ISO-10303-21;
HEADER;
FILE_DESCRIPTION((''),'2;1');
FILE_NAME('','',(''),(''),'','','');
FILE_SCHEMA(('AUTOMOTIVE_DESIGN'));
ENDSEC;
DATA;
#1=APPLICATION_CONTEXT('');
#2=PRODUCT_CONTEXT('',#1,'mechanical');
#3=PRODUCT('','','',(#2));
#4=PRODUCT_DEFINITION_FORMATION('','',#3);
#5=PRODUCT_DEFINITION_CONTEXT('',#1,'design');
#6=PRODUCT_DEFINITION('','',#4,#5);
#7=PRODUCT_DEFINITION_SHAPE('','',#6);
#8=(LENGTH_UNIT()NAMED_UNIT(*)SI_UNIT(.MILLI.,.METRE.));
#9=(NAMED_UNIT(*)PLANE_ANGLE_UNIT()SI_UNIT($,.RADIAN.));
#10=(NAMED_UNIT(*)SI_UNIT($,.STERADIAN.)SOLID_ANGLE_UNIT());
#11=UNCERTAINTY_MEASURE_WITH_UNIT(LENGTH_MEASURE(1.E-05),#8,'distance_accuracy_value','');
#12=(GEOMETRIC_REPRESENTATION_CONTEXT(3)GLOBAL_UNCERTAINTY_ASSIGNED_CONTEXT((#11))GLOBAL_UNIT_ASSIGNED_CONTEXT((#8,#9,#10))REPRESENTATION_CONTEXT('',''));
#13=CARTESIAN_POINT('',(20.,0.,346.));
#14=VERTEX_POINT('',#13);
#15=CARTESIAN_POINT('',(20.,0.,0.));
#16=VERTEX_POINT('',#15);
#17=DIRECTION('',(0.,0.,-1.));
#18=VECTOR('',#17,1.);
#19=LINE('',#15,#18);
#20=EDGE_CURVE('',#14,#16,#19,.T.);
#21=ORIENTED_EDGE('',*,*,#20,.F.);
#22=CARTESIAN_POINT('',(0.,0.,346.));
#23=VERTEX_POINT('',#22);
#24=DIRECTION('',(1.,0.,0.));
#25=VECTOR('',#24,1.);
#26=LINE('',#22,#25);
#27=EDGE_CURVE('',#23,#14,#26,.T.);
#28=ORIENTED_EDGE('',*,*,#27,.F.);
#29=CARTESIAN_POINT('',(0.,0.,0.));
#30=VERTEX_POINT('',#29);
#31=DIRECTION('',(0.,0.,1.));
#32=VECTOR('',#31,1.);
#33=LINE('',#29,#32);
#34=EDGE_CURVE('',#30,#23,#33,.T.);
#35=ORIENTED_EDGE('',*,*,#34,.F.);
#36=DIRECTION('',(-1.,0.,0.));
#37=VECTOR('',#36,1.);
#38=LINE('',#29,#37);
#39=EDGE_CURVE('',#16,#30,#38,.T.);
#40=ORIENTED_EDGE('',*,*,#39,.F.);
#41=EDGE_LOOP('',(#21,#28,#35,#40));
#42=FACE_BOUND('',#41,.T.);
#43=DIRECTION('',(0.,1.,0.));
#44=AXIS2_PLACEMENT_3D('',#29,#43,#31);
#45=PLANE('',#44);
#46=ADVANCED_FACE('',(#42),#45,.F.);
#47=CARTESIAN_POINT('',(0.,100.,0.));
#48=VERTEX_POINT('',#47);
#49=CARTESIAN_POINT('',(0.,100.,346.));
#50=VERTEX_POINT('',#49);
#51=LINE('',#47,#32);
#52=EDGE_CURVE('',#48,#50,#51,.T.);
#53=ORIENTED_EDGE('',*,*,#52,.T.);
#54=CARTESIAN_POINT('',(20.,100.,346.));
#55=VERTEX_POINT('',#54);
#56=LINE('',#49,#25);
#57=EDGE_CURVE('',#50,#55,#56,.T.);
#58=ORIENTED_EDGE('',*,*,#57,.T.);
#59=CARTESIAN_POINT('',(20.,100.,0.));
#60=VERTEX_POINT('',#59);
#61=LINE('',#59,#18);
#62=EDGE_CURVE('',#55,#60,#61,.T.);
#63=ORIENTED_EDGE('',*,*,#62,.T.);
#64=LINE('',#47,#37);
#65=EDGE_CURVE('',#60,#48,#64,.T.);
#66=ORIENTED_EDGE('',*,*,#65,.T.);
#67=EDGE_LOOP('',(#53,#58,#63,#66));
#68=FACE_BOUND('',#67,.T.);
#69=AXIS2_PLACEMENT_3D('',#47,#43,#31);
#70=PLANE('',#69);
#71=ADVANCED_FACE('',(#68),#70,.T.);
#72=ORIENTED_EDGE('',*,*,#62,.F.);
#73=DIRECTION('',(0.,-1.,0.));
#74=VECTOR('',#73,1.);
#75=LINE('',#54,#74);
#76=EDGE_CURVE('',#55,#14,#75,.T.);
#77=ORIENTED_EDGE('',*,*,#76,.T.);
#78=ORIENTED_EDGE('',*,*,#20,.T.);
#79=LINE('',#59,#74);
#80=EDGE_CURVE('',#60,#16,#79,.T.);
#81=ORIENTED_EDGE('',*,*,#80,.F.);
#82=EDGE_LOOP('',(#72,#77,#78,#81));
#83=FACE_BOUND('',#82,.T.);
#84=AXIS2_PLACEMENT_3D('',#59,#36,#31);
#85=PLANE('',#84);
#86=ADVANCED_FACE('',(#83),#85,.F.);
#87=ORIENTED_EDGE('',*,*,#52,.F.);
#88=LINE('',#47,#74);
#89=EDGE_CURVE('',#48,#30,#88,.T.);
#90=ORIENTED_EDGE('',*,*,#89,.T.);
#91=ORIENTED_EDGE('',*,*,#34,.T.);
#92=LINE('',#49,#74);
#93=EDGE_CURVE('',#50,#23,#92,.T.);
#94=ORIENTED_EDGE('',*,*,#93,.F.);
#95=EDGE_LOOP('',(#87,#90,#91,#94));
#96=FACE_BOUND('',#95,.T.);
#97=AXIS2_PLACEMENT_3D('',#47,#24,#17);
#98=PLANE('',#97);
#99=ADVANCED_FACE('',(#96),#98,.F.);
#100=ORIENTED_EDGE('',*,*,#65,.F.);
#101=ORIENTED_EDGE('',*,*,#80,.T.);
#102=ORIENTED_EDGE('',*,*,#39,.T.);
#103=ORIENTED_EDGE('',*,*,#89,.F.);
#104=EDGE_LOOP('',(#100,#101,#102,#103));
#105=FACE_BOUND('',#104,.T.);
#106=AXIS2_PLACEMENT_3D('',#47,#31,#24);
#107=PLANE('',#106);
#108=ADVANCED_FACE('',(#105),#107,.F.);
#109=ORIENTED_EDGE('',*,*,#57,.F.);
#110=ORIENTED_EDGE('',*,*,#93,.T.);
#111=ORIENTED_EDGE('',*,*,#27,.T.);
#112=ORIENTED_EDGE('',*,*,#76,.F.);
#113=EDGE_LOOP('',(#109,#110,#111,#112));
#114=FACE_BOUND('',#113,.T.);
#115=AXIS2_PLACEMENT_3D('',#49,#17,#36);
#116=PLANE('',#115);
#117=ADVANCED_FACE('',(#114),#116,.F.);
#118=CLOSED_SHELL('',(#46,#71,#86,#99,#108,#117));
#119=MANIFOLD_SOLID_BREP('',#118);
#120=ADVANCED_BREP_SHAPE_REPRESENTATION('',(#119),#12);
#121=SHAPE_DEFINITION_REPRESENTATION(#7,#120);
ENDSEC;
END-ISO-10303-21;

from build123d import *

# Parameters (mm, degrees)
SKETCH_1_W      = 20
SKETCH_1_H      = 346
EXTRUDE_1_DEPTH = 100


with BuildPart() as part:
    # 草图1 → 凸台-拉伸1 (new body)
    with BuildSketch(Plane(origin=(0, 0, 0), x_dir=(1, 0, 0), z_dir=(0, 1, 0))):
        with Locations((10, -173)):
            Rectangle(SKETCH_1_W, SKETCH_1_H)
    extrude(amount=EXTRUDE_1_DEPTH)


solid = part.part
